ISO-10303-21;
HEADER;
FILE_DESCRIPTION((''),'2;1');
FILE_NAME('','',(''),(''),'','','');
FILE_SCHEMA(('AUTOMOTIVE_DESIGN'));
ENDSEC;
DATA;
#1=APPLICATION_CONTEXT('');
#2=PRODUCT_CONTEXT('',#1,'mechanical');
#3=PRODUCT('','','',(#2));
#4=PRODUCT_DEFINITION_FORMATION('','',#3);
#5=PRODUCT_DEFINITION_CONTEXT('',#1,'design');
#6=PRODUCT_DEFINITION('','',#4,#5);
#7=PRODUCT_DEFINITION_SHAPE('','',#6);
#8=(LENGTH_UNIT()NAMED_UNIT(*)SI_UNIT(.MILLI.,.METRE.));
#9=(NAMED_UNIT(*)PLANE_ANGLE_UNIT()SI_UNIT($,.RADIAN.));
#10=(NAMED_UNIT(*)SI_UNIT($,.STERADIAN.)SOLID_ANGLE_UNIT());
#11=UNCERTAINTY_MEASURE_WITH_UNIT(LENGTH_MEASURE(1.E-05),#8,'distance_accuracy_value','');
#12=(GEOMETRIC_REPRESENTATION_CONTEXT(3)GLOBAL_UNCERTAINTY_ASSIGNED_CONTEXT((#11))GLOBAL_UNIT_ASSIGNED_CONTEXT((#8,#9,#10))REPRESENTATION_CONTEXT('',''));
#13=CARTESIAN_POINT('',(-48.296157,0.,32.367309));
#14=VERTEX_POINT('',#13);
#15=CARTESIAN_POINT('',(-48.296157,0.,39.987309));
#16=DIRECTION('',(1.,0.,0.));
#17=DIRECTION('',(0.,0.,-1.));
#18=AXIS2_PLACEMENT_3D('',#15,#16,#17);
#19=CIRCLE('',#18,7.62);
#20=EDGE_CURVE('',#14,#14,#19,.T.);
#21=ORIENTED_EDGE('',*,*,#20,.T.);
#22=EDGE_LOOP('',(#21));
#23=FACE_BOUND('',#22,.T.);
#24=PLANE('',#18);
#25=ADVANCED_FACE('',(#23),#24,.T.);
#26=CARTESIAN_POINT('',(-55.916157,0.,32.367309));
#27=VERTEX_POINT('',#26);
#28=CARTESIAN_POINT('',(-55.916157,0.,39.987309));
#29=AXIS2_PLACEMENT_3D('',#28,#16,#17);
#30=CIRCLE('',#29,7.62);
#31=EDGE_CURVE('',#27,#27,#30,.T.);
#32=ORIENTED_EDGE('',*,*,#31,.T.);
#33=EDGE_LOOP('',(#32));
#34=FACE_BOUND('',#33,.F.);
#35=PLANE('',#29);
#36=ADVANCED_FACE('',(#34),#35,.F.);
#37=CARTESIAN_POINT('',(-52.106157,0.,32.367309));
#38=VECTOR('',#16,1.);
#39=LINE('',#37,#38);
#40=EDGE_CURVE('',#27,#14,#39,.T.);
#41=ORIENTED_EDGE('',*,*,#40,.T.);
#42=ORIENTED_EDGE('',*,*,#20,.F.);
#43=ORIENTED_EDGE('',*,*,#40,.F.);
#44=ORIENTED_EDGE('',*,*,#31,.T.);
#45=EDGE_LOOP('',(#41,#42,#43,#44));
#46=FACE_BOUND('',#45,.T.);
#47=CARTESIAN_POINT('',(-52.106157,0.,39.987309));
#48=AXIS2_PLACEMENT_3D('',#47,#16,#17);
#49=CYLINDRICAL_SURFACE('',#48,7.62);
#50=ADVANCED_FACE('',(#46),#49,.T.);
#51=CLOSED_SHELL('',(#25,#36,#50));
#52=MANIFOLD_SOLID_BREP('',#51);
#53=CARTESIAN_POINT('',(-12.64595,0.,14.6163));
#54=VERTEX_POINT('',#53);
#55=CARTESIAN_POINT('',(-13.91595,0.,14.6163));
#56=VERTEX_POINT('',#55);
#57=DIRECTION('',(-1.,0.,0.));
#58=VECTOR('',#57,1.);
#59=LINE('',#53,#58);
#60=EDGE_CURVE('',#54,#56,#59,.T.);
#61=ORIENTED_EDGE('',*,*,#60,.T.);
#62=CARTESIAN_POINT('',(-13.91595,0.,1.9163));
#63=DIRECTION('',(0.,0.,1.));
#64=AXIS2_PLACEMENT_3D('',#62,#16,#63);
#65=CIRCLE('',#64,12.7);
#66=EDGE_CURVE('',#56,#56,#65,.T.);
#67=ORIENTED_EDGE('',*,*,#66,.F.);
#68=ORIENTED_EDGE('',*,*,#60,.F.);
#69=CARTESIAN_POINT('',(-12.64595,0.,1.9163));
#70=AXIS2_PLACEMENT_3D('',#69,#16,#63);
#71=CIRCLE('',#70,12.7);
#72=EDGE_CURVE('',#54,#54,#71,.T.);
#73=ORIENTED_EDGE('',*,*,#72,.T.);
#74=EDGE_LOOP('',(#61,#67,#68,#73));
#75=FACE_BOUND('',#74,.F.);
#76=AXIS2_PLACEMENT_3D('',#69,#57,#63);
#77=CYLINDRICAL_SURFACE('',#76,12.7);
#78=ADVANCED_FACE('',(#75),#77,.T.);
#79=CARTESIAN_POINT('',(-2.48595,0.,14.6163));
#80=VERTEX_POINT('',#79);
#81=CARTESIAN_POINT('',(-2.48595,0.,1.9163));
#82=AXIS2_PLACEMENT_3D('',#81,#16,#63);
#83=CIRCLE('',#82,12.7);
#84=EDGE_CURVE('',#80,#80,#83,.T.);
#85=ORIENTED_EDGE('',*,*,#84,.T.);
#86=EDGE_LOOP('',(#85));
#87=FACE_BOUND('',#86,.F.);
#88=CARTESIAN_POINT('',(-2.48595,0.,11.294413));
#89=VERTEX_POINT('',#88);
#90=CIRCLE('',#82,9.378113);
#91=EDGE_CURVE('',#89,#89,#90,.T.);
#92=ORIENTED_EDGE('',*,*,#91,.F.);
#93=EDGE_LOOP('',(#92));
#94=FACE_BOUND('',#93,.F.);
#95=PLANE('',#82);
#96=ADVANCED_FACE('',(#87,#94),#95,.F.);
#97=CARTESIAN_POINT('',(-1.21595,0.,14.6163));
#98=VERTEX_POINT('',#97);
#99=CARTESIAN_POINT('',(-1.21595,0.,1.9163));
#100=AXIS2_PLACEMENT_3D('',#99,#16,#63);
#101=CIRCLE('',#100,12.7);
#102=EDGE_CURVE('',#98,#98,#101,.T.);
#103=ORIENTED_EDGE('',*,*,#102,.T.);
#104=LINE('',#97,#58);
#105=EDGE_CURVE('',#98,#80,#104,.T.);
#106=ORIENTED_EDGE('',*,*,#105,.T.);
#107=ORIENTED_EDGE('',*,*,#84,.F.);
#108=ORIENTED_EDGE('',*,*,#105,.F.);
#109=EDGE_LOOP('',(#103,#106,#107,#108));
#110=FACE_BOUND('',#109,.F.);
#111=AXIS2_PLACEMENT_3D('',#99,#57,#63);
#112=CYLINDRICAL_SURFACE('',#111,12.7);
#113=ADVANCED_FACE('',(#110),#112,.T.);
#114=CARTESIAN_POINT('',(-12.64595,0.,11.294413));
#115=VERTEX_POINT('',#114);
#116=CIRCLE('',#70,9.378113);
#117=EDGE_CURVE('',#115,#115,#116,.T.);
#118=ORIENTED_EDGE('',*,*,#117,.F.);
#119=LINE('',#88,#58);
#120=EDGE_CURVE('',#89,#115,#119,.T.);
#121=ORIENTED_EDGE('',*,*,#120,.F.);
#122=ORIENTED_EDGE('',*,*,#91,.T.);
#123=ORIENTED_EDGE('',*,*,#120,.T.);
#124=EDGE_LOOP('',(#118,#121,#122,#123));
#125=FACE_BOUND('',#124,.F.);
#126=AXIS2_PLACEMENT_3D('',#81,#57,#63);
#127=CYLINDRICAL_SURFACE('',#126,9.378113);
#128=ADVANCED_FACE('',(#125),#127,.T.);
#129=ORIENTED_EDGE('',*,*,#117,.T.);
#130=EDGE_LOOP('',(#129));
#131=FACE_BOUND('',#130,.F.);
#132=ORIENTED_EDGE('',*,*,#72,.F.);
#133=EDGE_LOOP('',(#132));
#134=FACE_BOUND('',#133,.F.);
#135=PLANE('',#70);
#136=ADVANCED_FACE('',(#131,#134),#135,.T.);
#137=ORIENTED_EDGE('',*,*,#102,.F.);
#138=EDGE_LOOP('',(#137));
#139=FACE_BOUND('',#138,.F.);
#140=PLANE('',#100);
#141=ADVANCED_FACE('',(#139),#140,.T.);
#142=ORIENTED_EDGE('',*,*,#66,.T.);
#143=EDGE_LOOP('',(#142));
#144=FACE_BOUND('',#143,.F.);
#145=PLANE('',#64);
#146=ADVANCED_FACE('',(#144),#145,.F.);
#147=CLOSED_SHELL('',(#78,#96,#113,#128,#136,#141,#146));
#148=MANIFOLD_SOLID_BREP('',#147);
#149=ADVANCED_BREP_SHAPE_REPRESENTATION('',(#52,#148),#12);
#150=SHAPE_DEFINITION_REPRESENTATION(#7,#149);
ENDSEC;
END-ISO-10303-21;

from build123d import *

# Parameters (mm, degrees)
F2_W = 7.62
F2_H = 7.62


with BuildPart() as f1:
    # F0 (on Front) → F1 (revolve)
    with BuildSketch(Plane.XZ):
        Polygon((-12.64595, 14.6163), (-13.91595, 14.6163), (-13.91595, 1.9163), (-1.21595, 1.9163), (-1.21595, 14.6163), (-2.48595, 14.6163), (-2.48595, 11.294413), (-12.64595, 11.294413), align=None)
    revolve(axis=Axis((-7.56595, 0, 1.9163), (1, 0, 0)))


with BuildPart() as f3:
    # F2 (on Front) → F3 (revolve)
    with BuildSketch(Plane.XZ):
        with Locations((-52.106157, 36.177309)):
            Rectangle(F2_W, F2_H)
    revolve(axis=Axis((-52.106157, 0, 39.987309), (1, 0, 0)))


solid = Compound([f1.part, f3.part])
